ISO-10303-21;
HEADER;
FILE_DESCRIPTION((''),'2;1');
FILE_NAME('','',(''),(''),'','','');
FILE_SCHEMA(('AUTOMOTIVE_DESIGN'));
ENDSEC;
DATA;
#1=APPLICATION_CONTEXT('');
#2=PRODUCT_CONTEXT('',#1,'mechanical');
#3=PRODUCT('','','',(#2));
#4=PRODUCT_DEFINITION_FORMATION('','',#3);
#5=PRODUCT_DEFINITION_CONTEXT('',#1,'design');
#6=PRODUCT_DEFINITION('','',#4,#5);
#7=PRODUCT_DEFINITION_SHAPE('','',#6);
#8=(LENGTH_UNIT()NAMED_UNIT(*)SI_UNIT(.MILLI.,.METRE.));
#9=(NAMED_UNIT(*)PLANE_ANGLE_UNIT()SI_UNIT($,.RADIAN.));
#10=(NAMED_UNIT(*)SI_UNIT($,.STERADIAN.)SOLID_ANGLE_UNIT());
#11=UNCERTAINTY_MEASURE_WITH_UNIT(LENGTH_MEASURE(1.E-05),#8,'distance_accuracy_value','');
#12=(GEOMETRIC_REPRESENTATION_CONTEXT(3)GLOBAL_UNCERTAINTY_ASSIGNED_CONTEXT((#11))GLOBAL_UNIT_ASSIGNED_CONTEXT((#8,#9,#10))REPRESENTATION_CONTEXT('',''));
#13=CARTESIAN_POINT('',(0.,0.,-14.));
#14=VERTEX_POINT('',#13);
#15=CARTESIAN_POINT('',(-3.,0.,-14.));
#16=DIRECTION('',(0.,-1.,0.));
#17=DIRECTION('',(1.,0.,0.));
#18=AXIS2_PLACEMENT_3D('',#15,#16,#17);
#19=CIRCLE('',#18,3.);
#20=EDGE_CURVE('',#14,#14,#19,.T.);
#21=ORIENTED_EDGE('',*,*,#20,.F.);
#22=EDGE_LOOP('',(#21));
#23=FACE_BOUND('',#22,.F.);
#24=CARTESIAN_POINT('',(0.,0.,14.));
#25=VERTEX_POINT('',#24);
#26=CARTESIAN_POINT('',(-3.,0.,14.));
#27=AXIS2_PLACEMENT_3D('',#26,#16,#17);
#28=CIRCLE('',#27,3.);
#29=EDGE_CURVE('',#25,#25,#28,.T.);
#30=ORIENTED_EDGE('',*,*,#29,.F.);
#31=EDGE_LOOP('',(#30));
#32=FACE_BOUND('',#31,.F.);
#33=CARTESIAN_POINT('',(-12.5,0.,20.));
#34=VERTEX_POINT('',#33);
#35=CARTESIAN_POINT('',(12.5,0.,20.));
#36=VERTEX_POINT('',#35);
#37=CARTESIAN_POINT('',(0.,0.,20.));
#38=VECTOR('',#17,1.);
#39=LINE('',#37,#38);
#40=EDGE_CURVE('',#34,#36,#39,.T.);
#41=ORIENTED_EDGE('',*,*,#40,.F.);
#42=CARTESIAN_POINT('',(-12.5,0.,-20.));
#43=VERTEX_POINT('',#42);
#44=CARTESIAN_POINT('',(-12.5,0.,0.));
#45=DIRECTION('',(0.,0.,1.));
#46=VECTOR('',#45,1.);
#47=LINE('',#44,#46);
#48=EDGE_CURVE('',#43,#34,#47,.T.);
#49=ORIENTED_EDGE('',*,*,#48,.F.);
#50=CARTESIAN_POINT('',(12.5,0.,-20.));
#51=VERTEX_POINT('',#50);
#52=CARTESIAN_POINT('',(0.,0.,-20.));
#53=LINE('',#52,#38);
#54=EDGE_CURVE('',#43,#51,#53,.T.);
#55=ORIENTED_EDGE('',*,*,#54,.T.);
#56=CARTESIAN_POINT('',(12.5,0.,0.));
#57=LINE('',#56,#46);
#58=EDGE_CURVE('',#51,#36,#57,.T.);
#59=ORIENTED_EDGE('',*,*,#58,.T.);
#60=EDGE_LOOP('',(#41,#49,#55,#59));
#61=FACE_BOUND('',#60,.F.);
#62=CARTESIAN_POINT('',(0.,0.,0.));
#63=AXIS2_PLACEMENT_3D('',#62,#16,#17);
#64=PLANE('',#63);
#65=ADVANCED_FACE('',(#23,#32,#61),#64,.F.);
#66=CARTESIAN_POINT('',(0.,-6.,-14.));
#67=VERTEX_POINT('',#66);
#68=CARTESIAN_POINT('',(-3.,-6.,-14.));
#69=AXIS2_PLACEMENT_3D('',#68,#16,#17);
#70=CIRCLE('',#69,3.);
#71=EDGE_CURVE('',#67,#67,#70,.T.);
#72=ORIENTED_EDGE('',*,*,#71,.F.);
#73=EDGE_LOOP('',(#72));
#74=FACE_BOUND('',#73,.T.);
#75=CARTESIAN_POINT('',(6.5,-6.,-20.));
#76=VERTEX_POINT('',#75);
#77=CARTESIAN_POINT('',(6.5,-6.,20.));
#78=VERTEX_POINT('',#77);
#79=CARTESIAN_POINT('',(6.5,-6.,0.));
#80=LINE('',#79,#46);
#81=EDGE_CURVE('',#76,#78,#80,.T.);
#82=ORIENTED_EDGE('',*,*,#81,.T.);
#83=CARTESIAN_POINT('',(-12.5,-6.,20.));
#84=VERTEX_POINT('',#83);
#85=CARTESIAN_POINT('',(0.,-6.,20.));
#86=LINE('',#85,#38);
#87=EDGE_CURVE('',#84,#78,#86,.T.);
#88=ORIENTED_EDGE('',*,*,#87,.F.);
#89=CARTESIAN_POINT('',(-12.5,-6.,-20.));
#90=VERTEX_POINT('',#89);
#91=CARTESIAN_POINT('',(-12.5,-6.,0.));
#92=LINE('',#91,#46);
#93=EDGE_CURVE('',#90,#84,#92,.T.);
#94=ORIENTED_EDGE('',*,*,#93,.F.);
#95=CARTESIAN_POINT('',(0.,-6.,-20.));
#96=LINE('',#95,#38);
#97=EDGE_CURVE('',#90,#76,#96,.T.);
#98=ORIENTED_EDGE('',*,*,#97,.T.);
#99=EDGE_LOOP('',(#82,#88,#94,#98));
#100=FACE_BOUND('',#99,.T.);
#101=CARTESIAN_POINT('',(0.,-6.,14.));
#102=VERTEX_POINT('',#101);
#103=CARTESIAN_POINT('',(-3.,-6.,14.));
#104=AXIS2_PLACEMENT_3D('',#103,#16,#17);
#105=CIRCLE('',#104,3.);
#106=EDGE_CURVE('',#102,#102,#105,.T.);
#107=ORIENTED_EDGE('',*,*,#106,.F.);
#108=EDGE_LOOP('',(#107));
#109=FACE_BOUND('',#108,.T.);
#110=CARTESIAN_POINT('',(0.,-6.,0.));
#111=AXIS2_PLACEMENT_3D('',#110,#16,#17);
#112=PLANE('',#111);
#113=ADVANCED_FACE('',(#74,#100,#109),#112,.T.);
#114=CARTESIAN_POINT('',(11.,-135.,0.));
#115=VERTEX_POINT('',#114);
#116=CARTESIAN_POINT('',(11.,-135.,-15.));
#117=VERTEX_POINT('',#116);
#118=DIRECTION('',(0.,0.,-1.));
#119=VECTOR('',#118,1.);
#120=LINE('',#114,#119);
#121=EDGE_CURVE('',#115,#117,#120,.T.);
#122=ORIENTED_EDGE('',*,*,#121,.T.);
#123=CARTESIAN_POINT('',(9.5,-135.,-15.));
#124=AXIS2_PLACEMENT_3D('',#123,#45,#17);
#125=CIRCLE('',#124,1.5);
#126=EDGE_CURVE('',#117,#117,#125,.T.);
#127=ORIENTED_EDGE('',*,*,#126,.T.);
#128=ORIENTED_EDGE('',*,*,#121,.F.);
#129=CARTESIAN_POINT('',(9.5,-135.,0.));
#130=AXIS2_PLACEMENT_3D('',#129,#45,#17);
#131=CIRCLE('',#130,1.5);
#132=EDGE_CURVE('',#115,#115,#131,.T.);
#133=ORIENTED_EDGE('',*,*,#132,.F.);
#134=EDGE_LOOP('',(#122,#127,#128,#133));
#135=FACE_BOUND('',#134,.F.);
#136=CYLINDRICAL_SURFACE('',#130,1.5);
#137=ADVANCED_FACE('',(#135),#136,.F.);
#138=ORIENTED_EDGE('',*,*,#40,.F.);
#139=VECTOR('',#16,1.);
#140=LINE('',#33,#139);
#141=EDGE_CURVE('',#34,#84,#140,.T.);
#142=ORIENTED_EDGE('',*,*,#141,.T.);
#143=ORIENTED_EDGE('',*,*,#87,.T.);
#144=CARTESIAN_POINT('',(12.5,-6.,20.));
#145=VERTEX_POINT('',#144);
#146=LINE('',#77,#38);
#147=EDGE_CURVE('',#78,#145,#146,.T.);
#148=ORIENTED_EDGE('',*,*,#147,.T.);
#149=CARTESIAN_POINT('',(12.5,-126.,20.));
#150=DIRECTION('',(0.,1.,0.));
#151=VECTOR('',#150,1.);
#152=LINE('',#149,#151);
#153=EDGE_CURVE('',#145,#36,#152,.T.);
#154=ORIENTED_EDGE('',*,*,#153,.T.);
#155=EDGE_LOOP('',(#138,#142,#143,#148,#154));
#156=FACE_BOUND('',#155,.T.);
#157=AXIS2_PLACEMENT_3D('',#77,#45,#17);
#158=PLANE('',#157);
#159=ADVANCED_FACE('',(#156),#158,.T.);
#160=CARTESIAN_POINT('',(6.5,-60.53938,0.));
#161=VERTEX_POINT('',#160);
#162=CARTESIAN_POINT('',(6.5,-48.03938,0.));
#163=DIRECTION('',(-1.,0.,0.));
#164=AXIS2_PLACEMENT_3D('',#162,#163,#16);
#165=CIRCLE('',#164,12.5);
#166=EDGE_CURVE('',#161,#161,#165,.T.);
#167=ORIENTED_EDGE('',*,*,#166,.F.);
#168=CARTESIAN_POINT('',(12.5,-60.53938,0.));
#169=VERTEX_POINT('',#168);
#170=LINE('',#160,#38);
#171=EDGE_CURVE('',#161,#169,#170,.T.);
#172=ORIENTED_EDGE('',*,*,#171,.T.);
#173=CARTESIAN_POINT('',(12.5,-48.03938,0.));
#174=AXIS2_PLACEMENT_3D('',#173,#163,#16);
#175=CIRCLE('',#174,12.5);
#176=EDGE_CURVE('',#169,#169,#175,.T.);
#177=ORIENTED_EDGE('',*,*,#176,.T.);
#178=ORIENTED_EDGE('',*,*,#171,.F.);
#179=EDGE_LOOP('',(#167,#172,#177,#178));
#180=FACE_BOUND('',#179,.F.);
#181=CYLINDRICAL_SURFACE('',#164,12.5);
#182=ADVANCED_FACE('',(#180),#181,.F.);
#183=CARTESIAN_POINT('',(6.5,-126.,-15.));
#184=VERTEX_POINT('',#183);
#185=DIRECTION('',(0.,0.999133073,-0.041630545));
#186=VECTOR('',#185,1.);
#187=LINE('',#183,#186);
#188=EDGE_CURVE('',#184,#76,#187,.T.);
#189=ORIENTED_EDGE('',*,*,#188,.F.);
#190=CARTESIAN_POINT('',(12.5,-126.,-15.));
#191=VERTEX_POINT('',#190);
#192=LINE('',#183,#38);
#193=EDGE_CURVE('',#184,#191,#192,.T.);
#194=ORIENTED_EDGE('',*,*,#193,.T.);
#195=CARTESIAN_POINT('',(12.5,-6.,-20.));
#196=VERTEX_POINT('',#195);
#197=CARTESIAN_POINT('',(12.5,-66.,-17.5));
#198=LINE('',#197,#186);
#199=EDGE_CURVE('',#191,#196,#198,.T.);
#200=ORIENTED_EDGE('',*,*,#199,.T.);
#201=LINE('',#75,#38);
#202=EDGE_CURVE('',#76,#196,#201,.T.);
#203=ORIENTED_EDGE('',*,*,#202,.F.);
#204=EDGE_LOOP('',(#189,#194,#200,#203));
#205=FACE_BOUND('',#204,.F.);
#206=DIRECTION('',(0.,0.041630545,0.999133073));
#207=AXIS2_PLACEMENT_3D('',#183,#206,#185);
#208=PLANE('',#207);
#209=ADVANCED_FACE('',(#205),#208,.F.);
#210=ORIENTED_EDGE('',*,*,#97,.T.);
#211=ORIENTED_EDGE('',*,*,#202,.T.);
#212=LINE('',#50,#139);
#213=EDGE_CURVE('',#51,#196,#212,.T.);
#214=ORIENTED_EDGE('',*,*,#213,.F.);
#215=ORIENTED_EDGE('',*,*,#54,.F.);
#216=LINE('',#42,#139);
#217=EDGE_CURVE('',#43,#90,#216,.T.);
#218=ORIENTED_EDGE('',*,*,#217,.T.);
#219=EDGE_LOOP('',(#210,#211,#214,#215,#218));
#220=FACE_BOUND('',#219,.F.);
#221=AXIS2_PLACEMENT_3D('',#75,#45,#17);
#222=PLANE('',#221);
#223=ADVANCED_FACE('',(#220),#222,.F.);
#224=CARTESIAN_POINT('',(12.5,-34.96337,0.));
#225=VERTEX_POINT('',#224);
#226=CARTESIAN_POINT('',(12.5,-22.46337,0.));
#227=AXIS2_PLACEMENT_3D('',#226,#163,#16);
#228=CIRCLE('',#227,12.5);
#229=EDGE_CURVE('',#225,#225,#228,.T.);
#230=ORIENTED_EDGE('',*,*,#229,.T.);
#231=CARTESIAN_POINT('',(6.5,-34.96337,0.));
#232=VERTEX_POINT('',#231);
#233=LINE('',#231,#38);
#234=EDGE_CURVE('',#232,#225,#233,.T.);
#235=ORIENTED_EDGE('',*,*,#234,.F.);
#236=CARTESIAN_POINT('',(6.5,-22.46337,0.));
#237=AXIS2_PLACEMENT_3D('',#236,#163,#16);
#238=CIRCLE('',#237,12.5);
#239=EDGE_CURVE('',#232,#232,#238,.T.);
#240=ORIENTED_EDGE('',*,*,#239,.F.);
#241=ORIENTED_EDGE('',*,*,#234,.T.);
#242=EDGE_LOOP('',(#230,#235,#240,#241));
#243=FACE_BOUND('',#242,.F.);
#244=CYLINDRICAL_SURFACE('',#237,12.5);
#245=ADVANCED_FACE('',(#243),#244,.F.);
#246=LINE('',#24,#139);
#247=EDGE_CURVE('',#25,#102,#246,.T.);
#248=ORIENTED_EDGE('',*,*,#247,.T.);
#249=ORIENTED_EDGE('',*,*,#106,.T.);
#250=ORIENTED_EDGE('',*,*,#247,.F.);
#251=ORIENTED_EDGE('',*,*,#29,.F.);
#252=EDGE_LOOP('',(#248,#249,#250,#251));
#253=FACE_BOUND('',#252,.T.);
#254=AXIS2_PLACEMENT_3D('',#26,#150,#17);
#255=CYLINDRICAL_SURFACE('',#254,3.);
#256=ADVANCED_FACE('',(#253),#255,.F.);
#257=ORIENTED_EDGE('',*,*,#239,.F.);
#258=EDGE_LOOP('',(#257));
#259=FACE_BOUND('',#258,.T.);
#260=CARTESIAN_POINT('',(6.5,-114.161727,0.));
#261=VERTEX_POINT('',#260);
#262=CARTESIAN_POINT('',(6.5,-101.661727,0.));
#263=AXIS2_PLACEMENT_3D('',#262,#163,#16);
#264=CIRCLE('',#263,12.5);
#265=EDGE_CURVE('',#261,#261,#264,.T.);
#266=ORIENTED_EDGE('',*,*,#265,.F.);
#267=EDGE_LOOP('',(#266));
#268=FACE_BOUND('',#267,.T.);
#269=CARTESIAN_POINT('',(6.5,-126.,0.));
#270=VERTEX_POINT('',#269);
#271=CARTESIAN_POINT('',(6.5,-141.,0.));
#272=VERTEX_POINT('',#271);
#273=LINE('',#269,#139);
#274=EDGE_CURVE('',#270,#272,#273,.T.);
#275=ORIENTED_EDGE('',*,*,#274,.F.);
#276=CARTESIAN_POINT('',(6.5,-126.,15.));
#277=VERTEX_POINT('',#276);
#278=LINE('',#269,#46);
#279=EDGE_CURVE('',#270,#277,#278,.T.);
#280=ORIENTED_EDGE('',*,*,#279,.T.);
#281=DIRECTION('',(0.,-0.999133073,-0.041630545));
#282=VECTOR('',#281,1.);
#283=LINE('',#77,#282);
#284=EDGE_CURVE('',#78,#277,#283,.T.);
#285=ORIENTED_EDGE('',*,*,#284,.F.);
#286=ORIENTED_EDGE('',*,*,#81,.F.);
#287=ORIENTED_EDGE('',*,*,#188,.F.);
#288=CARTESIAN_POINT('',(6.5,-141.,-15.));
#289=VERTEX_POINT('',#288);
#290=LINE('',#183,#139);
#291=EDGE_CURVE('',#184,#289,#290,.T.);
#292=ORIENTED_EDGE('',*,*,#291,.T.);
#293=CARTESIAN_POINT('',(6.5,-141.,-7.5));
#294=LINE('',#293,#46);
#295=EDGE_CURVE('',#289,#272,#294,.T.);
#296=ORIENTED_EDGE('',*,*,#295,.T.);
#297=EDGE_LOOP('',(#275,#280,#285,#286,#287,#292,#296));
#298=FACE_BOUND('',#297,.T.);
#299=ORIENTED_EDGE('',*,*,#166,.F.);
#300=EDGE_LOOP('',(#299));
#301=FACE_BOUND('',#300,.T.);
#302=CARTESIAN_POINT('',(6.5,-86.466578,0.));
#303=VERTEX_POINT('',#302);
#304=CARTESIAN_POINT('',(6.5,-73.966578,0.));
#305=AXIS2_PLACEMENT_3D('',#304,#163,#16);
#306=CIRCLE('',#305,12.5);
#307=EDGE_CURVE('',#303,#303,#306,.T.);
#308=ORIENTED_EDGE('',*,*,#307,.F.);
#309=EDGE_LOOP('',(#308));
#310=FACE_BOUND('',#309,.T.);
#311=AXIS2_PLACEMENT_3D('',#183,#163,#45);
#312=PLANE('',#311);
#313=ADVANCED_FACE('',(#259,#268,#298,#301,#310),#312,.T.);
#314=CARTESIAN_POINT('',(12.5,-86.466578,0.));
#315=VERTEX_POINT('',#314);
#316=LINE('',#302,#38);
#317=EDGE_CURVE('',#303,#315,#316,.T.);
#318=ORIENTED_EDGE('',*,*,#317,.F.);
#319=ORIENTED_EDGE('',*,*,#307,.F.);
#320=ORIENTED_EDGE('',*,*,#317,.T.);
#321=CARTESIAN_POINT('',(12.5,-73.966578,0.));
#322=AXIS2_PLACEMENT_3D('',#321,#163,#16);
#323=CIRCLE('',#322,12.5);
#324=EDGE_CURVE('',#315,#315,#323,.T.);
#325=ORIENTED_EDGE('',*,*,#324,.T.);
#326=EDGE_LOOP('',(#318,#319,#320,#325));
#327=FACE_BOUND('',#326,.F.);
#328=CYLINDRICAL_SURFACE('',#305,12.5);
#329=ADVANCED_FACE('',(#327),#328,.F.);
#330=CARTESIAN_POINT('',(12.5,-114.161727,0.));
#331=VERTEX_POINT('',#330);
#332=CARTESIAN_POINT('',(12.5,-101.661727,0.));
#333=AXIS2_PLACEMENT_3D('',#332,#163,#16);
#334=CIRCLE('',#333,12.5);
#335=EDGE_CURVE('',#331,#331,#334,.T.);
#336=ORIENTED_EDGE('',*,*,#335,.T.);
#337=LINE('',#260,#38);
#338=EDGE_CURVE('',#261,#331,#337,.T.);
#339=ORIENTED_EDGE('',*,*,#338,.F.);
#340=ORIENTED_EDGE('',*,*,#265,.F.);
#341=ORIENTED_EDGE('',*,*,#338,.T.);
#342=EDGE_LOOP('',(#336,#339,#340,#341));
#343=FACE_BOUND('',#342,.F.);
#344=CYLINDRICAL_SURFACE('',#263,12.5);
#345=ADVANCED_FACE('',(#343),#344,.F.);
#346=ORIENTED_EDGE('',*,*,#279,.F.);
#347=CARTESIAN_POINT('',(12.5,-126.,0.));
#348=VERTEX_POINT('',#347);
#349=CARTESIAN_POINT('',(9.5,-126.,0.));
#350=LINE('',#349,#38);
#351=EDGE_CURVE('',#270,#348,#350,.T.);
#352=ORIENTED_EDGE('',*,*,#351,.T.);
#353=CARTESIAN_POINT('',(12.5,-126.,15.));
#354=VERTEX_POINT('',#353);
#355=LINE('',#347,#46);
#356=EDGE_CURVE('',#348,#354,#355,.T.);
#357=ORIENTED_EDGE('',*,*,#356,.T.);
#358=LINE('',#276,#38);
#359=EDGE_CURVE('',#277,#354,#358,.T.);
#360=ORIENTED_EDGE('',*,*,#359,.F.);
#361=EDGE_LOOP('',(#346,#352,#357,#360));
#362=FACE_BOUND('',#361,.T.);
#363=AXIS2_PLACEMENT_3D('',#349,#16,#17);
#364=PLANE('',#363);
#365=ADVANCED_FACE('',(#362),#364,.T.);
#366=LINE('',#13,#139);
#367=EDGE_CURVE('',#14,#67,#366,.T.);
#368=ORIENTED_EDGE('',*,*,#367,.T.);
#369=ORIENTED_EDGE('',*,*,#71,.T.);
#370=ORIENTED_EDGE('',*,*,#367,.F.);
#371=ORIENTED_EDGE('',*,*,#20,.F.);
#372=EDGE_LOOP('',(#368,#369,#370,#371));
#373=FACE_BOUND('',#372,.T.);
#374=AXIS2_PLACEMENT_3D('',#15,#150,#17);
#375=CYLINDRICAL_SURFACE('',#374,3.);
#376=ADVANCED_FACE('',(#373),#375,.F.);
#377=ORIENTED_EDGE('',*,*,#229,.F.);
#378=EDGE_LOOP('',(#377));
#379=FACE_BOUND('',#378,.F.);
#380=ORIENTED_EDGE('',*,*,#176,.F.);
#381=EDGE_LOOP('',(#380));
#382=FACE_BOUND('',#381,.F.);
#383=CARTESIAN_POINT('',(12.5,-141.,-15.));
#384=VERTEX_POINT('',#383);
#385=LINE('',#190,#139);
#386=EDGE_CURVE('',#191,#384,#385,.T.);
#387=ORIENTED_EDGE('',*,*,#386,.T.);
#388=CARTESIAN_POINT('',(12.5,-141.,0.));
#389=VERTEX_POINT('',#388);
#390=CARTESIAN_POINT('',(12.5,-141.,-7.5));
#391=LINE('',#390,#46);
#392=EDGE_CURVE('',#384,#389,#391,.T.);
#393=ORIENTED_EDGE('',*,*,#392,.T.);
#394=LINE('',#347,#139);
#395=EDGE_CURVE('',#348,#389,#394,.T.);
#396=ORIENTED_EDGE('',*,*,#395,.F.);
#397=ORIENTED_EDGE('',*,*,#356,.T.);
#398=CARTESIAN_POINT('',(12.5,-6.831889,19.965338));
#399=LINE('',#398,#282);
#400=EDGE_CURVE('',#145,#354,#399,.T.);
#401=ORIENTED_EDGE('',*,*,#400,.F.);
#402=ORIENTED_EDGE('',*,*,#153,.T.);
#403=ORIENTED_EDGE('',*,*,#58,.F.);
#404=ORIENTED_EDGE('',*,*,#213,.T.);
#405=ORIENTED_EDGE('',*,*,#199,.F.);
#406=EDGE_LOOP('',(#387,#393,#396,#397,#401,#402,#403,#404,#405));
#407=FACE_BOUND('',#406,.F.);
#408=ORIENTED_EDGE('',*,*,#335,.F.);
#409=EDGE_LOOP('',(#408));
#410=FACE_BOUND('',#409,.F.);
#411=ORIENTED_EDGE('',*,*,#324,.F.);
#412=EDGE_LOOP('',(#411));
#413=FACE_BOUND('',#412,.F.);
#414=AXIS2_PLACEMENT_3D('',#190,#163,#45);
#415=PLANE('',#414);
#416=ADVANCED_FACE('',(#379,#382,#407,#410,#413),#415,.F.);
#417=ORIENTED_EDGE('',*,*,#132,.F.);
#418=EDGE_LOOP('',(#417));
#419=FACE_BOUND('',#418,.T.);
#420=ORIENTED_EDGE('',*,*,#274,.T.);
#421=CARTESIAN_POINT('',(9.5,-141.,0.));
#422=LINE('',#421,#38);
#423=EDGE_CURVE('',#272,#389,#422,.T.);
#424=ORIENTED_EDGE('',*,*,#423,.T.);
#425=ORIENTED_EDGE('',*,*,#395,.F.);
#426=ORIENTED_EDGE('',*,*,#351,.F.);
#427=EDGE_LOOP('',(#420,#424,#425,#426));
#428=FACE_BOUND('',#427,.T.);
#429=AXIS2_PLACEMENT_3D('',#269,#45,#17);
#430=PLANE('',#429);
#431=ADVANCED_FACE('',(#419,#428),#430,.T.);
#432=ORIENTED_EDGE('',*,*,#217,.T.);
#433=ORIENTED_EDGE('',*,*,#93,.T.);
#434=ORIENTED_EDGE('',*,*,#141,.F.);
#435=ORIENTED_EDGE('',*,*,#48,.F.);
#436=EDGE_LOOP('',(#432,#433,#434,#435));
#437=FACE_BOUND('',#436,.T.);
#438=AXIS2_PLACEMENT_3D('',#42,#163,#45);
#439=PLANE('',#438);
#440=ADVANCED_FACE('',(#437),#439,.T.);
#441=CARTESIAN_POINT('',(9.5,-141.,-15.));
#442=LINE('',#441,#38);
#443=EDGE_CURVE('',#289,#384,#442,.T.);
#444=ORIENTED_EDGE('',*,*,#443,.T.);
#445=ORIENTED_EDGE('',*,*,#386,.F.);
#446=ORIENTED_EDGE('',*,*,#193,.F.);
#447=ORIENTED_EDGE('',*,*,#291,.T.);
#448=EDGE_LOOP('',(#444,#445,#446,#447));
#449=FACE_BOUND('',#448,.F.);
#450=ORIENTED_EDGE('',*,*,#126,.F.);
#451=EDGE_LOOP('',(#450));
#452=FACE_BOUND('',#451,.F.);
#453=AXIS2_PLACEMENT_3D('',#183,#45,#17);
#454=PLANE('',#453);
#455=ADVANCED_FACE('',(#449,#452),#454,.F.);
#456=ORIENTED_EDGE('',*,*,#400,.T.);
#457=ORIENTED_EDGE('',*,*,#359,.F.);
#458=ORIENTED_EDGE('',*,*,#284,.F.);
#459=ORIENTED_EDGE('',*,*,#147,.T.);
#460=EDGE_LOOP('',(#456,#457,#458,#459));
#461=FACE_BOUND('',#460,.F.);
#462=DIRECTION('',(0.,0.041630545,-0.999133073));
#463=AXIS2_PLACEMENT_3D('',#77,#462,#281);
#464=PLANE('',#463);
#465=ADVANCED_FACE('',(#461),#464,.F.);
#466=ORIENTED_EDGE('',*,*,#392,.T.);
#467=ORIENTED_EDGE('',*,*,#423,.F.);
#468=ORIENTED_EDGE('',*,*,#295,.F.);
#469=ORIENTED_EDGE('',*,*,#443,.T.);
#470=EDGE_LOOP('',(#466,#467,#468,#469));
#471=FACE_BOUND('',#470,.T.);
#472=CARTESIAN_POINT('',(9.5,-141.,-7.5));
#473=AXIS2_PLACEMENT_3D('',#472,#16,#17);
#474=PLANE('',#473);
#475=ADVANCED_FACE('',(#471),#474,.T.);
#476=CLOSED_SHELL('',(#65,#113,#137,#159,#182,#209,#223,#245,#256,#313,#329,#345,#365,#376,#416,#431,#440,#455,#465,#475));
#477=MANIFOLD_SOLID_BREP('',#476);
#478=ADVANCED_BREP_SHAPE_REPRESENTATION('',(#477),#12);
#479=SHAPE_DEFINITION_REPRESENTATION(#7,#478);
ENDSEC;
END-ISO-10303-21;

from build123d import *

# Parameters (mm, degrees)
F0_W     = 25
F0_H     = 40
F0_R     = 3
F1_DEPTH = 6
F2_W     = 6
F2_H     = 40
F3_DEPTH = 120
F4_R     = 12.5
F5_DEPTH = 25.4
F6_W     = 6
F6_H     = 15
F7_DEPTH = 15
F8_R     = 1.5
F9_DEPTH = 20.001


with BuildPart() as f1:
    # F0 (on Front) → F1 (new body)
    with BuildSketch(Plane.XZ):
        Rectangle(F0_W, F0_H)
        with Locations((-3, -14)):
            Circle(F0_R, mode=Mode.SUBTRACT)
        with Locations((-3, 14)):
            Circle(F0_R, mode=Mode.SUBTRACT)
    extrude(amount=F1_DEPTH)

    # F2 (on face) → F3 (join)
    with BuildSketch(Plane.XZ.offset(6)):
        with Locations((9.5, 0)):
            Rectangle(F2_W, F2_H)
    extrude(amount=F3_DEPTH)

    # F4 (on face) → F5 (cut)
    with BuildSketch(Plane(origin=(6.5, 0, 0), x_dir=(0, -1, 0), z_dir=(-1, 0, 0))):
        Polygon((126, 20), (6, 20), (126, 15), align=None)
        Polygon((126, -15), (6, -20), (126, -20), align=None)
        with Locations((101.661727, 0)):
            Circle(F4_R)
        with Locations((73.966578, 0)):
            Circle(F4_R)
        with Locations((48.03938, 0)):
            Circle(F4_R)
        with Locations((22.46337, 0)):
            Circle(F4_R)
    extrude(amount=-F5_DEPTH, mode=Mode.SUBTRACT)

    # F6 (on face) → F7 (join)
    with BuildSketch(Plane.XZ.offset(126)):
        with Locations((9.5, -7.5)):
            Rectangle(F6_W, F6_H)
    extrude(amount=F7_DEPTH)

    # F8 (on face) → F9 (cut, through all)
    with BuildSketch(Plane.XY):
        with Locations((9.5, -135)):
            Circle(F8_R)
    extrude(amount=-F9_DEPTH, mode=Mode.SUBTRACT)


solid = f1.part
